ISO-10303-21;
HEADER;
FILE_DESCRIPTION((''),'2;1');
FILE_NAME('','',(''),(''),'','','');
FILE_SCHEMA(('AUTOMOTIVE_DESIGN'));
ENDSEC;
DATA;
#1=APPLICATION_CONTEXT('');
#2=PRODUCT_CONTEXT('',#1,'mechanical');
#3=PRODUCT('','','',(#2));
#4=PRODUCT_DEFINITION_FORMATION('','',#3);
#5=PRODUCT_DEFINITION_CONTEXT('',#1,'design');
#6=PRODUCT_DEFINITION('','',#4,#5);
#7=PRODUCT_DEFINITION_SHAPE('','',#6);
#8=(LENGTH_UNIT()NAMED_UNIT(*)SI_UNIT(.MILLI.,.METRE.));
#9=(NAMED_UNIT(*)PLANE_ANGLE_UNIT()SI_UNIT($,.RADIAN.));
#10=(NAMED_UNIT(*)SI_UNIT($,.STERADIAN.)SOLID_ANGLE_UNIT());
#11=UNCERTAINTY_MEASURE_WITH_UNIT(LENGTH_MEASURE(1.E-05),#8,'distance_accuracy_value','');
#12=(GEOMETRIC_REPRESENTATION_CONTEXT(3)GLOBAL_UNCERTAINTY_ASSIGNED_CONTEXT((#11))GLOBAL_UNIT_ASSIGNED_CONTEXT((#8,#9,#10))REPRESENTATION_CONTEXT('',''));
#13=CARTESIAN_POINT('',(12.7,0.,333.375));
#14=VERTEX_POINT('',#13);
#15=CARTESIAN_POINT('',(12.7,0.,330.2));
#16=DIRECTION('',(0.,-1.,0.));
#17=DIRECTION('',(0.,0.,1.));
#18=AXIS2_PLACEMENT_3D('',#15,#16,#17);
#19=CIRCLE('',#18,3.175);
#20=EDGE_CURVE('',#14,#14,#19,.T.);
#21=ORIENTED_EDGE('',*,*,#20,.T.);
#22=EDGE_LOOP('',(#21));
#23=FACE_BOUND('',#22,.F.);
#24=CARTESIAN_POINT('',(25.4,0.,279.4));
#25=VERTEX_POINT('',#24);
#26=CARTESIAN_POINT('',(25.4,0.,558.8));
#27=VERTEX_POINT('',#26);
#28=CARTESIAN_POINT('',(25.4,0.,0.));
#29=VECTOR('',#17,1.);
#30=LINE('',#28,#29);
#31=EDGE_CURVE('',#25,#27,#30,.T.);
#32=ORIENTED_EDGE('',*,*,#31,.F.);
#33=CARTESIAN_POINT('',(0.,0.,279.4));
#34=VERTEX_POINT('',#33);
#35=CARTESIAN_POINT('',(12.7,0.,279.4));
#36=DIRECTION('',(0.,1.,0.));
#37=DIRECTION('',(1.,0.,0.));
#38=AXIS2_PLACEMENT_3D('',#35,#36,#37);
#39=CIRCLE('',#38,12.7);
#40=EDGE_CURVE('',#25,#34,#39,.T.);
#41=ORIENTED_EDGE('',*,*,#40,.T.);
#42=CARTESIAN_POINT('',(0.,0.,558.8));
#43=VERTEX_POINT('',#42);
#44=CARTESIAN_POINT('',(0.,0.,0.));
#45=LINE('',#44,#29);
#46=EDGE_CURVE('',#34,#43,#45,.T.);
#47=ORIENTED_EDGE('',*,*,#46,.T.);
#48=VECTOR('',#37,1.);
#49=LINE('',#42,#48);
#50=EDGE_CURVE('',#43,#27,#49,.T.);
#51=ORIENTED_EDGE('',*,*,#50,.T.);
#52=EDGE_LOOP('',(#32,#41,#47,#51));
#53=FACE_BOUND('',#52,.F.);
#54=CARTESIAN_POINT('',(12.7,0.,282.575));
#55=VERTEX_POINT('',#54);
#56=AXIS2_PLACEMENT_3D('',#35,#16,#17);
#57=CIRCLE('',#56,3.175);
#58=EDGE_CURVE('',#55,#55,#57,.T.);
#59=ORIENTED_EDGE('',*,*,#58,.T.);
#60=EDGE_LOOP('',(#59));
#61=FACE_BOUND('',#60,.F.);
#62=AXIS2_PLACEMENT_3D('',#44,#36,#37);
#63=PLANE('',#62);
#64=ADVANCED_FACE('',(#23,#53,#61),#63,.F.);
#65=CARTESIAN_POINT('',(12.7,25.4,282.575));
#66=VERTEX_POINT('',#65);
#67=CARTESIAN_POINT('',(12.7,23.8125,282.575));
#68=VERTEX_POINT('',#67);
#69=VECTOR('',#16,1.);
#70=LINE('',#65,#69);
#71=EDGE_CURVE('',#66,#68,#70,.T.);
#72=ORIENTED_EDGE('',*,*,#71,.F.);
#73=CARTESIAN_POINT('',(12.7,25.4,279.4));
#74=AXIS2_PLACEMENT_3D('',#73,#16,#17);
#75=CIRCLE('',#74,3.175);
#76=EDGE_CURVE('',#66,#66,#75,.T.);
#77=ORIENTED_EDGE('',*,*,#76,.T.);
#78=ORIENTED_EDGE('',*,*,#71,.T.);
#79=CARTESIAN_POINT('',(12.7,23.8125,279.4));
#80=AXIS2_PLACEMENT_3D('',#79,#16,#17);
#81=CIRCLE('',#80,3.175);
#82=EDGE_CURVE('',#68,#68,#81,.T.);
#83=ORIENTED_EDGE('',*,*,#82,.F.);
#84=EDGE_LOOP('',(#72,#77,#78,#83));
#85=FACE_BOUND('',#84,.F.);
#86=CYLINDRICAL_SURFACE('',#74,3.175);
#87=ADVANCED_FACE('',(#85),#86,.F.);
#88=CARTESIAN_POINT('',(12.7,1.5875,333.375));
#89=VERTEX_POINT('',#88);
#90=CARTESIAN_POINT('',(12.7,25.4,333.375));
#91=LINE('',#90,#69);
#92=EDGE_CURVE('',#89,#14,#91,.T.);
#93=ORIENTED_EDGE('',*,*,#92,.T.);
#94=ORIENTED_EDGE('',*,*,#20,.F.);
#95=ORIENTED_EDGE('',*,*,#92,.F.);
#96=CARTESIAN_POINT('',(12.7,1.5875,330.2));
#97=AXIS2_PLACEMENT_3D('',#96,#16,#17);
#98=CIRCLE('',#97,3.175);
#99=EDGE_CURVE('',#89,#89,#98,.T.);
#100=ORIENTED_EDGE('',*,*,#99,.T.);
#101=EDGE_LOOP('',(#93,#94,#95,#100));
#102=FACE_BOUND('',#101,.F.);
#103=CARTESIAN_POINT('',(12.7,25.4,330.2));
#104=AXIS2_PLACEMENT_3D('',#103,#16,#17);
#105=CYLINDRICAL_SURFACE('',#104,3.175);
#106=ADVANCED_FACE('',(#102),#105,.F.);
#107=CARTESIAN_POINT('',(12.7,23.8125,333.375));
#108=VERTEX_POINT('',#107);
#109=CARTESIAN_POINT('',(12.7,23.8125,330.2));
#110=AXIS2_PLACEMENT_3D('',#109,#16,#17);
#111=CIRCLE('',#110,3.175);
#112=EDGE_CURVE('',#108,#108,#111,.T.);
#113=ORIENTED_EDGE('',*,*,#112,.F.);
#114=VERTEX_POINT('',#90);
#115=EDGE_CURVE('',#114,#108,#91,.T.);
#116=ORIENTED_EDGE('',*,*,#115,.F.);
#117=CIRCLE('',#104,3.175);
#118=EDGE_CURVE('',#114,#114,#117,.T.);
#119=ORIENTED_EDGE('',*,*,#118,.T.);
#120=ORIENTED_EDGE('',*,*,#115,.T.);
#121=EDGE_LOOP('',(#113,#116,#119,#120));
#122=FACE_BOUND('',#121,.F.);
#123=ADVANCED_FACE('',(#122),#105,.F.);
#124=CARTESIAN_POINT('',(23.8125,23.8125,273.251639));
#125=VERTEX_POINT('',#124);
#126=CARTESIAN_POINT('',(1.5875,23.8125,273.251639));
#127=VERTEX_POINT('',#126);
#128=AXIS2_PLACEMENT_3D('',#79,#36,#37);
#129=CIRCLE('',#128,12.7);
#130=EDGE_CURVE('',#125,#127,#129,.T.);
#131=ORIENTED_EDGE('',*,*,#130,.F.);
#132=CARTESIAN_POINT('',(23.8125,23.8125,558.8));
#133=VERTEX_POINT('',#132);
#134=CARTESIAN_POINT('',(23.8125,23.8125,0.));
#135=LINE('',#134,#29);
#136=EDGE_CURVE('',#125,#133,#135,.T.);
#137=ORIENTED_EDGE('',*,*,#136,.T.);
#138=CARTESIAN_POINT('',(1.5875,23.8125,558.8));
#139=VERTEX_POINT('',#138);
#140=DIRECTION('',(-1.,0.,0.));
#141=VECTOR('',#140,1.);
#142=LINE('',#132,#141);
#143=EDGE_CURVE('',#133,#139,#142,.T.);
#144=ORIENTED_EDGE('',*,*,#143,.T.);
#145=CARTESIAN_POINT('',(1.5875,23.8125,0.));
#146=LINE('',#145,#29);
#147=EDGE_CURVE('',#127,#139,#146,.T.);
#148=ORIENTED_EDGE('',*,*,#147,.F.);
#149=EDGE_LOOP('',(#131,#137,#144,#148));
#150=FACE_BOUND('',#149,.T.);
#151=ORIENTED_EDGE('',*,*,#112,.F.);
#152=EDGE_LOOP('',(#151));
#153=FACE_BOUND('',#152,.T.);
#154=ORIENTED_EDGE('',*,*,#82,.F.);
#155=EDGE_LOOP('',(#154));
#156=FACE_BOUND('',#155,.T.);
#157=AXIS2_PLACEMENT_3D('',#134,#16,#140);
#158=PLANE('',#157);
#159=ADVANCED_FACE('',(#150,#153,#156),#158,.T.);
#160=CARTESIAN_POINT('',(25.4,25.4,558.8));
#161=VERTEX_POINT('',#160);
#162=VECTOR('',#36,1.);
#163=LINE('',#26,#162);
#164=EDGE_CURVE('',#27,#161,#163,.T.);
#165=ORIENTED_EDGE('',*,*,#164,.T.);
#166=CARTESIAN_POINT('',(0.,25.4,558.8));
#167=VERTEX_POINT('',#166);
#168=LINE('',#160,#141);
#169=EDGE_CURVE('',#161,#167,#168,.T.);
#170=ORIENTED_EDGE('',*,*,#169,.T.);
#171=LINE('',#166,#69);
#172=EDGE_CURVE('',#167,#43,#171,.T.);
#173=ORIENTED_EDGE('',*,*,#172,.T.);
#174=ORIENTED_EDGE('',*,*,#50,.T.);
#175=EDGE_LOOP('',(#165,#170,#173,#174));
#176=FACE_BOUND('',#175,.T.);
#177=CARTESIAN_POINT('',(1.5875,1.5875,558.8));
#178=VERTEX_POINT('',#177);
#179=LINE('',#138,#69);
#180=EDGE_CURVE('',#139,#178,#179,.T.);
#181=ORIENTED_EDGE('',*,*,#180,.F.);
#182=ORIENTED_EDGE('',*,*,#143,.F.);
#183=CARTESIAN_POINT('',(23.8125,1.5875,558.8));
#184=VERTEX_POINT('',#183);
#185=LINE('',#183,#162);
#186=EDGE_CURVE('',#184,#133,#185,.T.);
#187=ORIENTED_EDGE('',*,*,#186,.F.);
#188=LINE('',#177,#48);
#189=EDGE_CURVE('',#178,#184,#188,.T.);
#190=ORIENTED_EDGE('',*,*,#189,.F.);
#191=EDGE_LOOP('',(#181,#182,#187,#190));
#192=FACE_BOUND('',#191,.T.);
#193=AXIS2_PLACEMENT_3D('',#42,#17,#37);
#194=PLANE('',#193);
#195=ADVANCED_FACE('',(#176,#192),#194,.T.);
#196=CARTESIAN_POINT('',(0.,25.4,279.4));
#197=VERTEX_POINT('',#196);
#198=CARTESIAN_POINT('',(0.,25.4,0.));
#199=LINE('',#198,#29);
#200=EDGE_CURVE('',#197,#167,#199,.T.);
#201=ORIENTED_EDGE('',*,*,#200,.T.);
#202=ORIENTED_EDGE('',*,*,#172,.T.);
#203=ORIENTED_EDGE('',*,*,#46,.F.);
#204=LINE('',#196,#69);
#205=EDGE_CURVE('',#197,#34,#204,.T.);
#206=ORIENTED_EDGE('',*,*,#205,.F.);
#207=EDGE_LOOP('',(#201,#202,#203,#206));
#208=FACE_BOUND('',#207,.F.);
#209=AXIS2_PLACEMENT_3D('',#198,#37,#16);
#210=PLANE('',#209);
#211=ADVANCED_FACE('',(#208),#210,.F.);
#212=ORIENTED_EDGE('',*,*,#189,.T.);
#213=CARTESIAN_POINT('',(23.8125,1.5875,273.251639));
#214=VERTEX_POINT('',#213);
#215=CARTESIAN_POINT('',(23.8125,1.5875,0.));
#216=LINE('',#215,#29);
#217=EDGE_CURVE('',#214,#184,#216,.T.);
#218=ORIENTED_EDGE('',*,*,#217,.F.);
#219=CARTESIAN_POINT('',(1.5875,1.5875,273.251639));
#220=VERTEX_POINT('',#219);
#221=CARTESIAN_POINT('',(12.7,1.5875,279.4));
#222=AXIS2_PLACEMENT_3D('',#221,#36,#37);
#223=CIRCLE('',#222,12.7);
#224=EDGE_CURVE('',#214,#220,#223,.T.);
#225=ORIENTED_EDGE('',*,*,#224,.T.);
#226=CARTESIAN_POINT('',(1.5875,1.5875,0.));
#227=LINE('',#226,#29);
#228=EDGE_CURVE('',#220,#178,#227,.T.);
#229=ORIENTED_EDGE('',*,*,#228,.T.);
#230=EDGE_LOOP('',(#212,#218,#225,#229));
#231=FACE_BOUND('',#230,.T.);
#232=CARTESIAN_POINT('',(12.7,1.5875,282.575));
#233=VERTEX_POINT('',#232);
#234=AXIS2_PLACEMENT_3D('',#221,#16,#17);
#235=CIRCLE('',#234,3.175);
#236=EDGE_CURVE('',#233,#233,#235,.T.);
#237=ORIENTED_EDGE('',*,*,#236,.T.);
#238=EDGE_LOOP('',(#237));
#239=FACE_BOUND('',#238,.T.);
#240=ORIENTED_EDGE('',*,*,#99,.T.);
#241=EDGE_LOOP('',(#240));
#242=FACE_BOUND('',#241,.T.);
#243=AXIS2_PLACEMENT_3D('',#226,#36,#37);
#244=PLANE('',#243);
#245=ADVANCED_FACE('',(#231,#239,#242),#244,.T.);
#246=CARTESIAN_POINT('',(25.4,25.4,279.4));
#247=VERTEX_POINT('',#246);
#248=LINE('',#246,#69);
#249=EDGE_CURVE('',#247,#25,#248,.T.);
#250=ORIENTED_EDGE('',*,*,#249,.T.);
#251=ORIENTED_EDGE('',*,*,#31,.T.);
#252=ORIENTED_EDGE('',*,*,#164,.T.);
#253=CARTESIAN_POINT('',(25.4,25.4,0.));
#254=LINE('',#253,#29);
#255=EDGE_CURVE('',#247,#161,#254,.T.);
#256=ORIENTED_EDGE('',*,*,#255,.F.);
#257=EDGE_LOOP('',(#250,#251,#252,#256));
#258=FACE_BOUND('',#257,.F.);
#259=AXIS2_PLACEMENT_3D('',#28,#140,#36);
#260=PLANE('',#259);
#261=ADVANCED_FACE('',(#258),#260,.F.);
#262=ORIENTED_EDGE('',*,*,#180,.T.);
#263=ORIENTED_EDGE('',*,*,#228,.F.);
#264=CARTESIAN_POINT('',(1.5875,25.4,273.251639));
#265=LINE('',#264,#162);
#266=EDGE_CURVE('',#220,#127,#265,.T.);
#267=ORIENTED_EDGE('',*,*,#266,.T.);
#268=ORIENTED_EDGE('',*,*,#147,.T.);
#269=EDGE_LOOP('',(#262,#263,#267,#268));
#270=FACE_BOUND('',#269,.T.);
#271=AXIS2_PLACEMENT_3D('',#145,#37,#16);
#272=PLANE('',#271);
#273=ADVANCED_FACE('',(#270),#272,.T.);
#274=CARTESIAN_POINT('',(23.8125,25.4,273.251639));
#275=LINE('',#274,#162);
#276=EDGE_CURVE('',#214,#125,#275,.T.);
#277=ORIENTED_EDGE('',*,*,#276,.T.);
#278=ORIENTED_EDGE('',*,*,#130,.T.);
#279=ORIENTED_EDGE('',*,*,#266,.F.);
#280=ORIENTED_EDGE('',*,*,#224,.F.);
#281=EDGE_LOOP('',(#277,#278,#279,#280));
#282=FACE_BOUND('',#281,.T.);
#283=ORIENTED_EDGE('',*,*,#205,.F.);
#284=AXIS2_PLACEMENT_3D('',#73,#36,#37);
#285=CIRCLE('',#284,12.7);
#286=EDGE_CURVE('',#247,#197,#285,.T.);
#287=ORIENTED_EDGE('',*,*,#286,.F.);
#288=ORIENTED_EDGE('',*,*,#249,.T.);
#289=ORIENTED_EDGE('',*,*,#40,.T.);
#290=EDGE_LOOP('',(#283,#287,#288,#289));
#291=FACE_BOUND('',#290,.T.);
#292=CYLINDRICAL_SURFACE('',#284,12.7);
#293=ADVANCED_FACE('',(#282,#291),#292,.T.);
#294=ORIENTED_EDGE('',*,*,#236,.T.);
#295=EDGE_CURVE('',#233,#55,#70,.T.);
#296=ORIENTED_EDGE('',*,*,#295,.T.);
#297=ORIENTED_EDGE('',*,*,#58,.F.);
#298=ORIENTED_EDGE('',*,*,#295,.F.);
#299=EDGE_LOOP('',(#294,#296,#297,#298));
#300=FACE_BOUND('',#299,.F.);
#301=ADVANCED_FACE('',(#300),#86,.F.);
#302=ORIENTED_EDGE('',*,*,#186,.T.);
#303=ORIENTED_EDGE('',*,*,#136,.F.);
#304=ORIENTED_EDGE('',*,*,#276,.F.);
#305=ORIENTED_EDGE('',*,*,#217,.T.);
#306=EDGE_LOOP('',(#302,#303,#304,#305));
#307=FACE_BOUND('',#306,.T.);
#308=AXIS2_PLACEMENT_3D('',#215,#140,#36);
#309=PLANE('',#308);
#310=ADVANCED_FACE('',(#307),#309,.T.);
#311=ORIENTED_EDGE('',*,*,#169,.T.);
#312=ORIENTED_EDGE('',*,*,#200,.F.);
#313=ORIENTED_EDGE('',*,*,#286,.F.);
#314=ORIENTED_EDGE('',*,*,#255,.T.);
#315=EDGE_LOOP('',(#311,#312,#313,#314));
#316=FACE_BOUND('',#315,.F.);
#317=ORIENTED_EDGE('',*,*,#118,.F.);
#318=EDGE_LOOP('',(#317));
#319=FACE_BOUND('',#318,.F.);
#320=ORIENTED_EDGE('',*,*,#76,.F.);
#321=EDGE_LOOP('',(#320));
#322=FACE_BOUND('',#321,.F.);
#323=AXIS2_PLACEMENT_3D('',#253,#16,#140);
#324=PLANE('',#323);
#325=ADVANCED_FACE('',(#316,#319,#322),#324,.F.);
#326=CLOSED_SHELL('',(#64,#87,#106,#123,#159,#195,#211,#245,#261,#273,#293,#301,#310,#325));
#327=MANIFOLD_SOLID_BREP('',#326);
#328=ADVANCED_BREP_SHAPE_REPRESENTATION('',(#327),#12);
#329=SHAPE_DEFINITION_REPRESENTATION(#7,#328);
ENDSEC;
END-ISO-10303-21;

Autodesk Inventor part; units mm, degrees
ref_plane "YZ Plane" through (0, 0, 0) normal (1, 0, 0) x (0, 1, 0)
ref_plane "XZ Plane" through (0, 0, 0) normal (0, 1, 0) x (-1, 0, 0)
ref_plane "XY Plane" through (0, 0, 0) normal (0, 0, 1) x (1, 0, 0)
sketch "Sketch1" plane through (0, 0, 0) normal (0, 0, 1) x (1, 0, 0)
  line L0 (0, 0) -> (25.4, 0)
  line L1 (25.4, 0) -> (25.4, 25.4)
  line L2 (25.4, 25.4) -> (0, 25.4)
  line L3 (0, 25.4) -> (0, 0)
  line L4 (1.5875, 1.5875) -> (23.8125, 1.5875)
  line L5 (23.8125, 1.5875) -> (23.8125, 23.8125)
  line L6 (23.8125, 23.8125) -> (1.5875, 23.8125)
  line L7 (1.5875, 23.8125) -> (1.5875, 1.5875)
  dimension "d0" = 25.4
  dimension "d1" = 25.4
  dimension "d2" = 1.5875
extrude "Extrusion1" add sketch "Sketch1" along normal blind 558.8
sketch "Sketch3" plane through (0, 25.4, 0) normal (0, 1, 0) x (1, 0, 0)
  line L0 (25.4, 0) -> (0, 0) projected
  line L1 (0, 0) -> (0, -558.8) projected
  line L2 (25.4, -558.8) -> (0, -558.8) projected
  line L3 (25.4, 0) -> (25.4, -558.8) projected
  point P0 (0, 0)
  point P1 (12.7, -279.4)
  dimension "d15" = 279.4
  dimension "d16" = 558.8
  dimension "d17" = 12.7
hole "Hole2" at (12.7, 25.4, 279.4) direction (0, -1, 0) diameter 6.35 end through all clearance for "Flat Head Machine Screw (82)" size "1/4" standard "Ansi Unified Screw Threads"
sketch "Sketch5" plane through (0, 25.4, 0) normal (0, 1, 0) x (1, 0, 0)
  circle A0 centre (12.7, -279.4) radius 3.175 projected
  line L0 (12.7, -279.4) -> (-12.4758, -279.4)
  point P0 (12.7, -228.6)
  point P1 (12.7, -330.2)
  dimension "d25" = 101.6
hole "Hole3" at (12.7, 25.4, 228.6) at (12.7, 25.4, 330.2) direction (0, -1, 0) diameter 6.35 end through all
sketch "Sketch7" plane through (0, 25.4, 0) normal (0, 1, 0) x (1, 0, 0)
  line L0 (0, 0) -> (0, -558.8) projected
  line L1 (25.4, 0) -> (25.4, -558.8) projected
  line L2 (25.4, 0) -> (0, 0) projected
  line L3 (0, 0) -> (25.4, 0) projected
  line L4 (0, -279.4) -> (0, 0)
  line L5 (25.4, 0) -> (25.4, -279.4)
  line L6 (0, 0) -> (25.4, 0)
  arc A0 (25.4, -279.4) -> (0, -279.4) centre (12.7, -279.4) ccw
  dimension "d41" = 279.4
extrude "Extrusion3" cut sketch "Sketch7" against normal blind 25.4
equation "\"d15\" = 0.5 * d16"
properties part number "ScissorLiftBarTop" material "Aluminum 6061"
